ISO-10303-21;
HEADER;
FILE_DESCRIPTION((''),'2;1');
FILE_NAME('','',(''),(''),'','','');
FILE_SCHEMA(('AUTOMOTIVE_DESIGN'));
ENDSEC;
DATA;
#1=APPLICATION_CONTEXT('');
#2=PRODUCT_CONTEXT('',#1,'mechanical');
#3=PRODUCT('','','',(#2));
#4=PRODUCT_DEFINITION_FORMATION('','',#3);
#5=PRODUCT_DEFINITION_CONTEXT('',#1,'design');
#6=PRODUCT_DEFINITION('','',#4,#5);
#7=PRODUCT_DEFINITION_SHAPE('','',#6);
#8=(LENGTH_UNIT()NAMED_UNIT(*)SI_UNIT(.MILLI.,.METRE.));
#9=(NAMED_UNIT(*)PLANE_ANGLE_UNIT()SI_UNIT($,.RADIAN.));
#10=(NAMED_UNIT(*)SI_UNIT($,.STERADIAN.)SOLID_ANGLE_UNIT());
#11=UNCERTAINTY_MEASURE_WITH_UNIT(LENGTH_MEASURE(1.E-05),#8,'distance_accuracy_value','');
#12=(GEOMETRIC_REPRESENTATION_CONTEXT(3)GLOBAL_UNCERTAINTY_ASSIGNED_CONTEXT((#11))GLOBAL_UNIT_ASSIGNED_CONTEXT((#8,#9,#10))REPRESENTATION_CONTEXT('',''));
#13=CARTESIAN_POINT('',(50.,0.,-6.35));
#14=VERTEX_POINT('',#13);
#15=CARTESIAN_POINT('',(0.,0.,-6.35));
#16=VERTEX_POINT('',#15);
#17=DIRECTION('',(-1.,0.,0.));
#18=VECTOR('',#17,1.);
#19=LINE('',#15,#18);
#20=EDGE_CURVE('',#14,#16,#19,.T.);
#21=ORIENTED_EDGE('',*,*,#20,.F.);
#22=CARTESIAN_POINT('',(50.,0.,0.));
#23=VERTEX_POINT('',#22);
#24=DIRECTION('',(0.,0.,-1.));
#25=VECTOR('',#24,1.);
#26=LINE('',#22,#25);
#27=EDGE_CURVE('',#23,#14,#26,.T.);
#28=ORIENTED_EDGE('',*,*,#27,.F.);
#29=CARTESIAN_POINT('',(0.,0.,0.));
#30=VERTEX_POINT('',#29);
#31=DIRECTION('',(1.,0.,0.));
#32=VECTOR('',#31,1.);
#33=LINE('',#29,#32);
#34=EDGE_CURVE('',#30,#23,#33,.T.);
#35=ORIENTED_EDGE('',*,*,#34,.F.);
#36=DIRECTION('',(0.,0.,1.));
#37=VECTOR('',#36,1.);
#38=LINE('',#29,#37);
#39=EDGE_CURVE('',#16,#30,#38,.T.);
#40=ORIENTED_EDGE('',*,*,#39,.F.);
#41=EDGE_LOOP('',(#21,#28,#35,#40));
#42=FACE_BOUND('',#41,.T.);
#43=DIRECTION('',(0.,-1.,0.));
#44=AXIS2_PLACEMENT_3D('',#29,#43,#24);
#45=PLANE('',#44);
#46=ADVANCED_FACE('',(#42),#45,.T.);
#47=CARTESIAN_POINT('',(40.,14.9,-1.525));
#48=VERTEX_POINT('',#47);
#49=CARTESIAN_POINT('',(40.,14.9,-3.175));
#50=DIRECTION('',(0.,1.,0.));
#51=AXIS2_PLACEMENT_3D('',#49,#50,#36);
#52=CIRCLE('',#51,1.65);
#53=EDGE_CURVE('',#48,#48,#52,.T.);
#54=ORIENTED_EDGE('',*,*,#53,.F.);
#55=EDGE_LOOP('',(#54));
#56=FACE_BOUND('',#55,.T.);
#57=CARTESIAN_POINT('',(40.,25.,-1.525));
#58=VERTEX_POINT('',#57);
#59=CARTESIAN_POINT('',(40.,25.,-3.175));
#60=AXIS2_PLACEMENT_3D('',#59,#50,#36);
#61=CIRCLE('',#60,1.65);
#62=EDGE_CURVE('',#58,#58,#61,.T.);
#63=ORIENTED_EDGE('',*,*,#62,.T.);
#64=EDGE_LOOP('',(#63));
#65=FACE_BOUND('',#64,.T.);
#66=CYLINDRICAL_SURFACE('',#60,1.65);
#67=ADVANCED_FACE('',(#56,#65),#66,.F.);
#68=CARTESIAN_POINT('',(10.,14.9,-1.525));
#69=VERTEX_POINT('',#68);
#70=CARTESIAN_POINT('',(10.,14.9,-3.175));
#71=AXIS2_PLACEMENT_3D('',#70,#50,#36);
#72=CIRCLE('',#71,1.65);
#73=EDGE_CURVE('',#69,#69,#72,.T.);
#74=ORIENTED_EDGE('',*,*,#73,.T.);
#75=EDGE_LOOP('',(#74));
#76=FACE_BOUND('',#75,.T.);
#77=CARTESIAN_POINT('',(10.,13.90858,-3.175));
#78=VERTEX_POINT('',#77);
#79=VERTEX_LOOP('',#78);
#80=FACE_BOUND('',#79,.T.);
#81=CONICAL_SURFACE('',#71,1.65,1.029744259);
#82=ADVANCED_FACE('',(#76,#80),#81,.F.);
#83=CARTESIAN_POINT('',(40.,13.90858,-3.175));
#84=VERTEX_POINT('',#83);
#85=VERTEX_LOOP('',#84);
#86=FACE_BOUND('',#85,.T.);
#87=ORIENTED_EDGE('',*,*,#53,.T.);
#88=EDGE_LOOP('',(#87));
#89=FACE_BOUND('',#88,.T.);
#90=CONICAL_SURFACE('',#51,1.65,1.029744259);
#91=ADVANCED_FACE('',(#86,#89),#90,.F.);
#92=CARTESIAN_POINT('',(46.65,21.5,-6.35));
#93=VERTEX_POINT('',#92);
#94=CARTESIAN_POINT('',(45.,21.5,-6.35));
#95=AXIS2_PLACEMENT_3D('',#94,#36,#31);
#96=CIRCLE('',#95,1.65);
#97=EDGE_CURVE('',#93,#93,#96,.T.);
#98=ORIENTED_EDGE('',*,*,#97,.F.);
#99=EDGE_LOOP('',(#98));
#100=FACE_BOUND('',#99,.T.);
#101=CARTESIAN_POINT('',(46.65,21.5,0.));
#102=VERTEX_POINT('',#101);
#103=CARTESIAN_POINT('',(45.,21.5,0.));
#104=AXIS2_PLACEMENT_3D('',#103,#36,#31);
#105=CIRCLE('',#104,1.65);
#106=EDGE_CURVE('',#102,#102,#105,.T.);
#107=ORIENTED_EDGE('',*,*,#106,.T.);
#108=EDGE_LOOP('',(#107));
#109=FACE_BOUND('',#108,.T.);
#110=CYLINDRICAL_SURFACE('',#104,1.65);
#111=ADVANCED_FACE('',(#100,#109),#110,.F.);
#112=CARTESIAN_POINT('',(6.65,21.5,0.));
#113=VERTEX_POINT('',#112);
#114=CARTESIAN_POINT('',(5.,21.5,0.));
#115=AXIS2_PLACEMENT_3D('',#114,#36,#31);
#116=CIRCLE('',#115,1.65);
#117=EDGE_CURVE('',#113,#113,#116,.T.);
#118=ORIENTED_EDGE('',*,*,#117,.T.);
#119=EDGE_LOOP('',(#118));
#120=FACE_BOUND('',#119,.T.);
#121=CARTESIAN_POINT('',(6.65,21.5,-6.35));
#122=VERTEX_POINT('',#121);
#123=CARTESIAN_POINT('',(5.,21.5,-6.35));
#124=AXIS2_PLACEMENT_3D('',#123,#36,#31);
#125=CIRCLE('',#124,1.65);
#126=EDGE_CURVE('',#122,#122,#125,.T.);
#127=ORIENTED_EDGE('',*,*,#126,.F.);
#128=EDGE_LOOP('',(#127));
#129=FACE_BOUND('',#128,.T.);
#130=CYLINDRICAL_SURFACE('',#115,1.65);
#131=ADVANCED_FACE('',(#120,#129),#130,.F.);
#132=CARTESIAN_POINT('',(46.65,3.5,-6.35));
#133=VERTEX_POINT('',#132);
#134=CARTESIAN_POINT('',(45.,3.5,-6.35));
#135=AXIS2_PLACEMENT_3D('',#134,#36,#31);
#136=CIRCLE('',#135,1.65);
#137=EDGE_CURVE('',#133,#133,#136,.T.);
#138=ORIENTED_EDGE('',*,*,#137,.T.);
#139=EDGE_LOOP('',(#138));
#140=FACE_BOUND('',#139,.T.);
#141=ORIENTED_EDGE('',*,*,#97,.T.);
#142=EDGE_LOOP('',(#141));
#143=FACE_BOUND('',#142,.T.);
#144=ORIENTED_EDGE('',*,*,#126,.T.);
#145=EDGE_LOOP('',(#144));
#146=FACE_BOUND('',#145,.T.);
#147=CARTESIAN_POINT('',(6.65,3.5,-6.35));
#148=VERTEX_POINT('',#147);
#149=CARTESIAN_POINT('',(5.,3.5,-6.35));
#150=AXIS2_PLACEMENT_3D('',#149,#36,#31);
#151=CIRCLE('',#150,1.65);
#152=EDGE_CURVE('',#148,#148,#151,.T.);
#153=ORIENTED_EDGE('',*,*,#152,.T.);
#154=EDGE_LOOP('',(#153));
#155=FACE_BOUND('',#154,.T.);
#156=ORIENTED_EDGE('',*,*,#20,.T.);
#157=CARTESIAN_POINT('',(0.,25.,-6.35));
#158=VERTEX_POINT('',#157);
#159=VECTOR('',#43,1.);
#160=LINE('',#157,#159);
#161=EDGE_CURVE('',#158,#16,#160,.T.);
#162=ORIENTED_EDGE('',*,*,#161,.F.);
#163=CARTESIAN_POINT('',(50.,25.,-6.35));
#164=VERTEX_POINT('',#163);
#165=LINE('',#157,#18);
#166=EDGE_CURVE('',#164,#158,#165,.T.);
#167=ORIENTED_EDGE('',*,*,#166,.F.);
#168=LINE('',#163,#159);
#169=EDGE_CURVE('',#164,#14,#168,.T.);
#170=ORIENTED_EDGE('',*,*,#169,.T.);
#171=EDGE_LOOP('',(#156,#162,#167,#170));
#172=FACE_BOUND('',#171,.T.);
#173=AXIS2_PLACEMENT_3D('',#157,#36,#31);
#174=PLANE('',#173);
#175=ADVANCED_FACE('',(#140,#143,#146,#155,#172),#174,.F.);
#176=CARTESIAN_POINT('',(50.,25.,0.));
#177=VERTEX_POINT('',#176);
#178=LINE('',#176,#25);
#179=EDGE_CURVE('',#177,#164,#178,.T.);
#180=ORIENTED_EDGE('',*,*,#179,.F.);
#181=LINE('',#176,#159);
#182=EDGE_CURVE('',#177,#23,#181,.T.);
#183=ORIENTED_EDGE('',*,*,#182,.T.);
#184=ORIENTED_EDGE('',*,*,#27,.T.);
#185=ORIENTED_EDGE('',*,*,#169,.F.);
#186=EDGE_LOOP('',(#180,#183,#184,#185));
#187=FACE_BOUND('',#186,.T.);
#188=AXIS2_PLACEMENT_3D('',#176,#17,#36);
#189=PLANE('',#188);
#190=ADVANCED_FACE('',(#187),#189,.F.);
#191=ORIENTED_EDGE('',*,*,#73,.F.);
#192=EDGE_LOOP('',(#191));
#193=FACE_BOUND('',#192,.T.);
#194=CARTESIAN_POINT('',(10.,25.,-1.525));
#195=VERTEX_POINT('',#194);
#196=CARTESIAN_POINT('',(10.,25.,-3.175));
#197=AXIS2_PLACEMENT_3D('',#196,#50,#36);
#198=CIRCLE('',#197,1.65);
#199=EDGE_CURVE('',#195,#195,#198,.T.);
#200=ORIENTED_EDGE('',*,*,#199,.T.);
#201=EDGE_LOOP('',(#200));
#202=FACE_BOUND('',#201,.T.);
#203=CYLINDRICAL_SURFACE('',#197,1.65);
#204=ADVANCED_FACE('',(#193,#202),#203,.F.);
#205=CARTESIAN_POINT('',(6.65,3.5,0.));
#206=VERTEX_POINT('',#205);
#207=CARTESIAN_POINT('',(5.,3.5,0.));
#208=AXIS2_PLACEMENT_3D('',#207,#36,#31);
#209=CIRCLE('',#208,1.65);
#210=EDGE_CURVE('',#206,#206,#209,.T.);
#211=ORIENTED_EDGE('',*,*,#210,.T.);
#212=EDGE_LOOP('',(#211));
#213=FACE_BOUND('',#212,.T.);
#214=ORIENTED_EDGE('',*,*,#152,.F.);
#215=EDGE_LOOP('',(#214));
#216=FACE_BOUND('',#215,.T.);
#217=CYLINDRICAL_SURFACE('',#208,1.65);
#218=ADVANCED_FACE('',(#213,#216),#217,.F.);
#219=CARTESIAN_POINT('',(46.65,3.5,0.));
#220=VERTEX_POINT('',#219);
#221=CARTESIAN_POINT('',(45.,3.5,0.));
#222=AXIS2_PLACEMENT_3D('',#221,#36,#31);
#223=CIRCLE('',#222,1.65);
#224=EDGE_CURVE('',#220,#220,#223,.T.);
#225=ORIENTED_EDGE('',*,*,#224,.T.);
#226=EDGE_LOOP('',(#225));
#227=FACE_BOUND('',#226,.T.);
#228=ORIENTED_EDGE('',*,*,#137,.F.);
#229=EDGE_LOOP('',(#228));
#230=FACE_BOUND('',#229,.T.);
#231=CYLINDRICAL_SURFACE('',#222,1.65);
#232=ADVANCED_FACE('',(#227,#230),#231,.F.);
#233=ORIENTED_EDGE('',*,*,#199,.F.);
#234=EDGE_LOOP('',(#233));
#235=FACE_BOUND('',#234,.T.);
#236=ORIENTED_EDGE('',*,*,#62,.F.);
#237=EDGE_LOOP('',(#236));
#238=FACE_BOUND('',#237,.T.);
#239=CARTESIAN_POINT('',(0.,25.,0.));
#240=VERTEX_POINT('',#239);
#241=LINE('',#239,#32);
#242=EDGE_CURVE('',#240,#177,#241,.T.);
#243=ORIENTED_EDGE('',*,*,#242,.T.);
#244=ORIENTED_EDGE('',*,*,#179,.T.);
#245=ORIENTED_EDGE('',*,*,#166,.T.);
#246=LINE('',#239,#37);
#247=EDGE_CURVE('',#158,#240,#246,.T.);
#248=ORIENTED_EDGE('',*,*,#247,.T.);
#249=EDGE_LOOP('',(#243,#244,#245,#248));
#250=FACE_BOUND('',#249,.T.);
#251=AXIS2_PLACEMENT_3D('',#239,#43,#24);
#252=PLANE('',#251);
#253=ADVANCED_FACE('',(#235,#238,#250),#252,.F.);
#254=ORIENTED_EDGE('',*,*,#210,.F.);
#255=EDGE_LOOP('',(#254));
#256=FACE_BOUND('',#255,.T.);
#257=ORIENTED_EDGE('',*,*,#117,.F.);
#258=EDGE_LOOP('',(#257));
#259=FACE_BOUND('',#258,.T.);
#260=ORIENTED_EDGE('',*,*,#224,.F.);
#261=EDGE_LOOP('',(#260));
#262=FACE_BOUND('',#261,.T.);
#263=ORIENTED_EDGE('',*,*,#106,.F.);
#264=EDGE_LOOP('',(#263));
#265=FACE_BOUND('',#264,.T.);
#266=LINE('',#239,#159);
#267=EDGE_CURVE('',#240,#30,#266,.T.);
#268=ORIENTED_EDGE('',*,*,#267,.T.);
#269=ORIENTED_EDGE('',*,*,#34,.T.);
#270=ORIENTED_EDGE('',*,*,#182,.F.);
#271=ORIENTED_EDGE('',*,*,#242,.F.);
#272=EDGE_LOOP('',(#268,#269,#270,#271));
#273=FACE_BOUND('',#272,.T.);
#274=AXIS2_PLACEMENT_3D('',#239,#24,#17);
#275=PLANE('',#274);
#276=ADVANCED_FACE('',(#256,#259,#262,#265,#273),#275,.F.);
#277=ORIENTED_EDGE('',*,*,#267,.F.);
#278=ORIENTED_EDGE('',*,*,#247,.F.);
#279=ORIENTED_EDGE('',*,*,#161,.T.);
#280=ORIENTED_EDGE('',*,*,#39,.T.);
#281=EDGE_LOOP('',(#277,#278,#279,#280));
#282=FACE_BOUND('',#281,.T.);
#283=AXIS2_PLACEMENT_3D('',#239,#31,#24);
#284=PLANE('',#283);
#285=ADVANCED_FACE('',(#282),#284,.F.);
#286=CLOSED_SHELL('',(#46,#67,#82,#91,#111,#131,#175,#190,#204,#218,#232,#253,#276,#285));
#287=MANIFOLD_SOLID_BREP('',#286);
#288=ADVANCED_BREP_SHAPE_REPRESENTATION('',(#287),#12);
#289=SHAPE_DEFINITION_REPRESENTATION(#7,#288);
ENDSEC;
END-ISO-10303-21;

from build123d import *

# Parameters (mm, degrees)
SKETCH1_W                 = 50
SKETCH1_H                 = 6.35
BOSS_EXTRUDE1_DEPTH       = 25
M4X0_7_TAPPED_HOLE1_D     = 3.3
M4X0_7_TAPPED_HOLE1_DEPTH = 10.1
M4X0_7_TAPPED_HOLE1_TIP   = 0.991420021
M4X0_7_TAPPED_HOLE2_D     = 3.3
M4X0_7_TAPPED_HOLE2_DEPTH = 10.1
M4X0_7_TAPPED_HOLE2_TIP   = 0.991420021


with BuildPart() as part:
    # Sketch1 → Boss-Extrude1 (new body)
    with BuildSketch(Plane(origin=(0, 0, 0), x_dir=(1, 0, 0), z_dir=(0, 1, 0))):
        with Locations((25, 3.175)):
            Rectangle(SKETCH1_W, SKETCH1_H)
    extrude(amount=BOSS_EXTRUDE1_DEPTH)

    # M4x0.7 Tapped Hole1
    with Locations(Plane(origin=(40, 25, -3.175), x_dir=(0, 0, 1), z_dir=(0, 1, 0))):
        with Locations((0, 0), (0, -30)):
            Hole(M4X0_7_TAPPED_HOLE1_D / 2, depth=M4X0_7_TAPPED_HOLE1_DEPTH)
            with Locations((0, 0, -(M4X0_7_TAPPED_HOLE1_DEPTH + M4X0_7_TAPPED_HOLE1_TIP / 2))):  # 118° drill point
                Cone(0, M4X0_7_TAPPED_HOLE1_D / 2, M4X0_7_TAPPED_HOLE1_TIP, mode=Mode.SUBTRACT)

    # M4x0.7 Tapped Hole2
    with Locations(Plane(origin=(5, 21.5, 0), x_dir=(1, 0, 0), z_dir=(0, 0, 1))):
        with Locations((0, 0), (40, 0), (40, -18), (0, -18)):
            Hole(M4X0_7_TAPPED_HOLE2_D / 2, depth=M4X0_7_TAPPED_HOLE2_DEPTH)
            with Locations((0, 0, -(M4X0_7_TAPPED_HOLE2_DEPTH + M4X0_7_TAPPED_HOLE2_TIP / 2))):  # 118° drill point
                Cone(0, M4X0_7_TAPPED_HOLE2_D / 2, M4X0_7_TAPPED_HOLE2_TIP, mode=Mode.SUBTRACT)


solid = part.part
